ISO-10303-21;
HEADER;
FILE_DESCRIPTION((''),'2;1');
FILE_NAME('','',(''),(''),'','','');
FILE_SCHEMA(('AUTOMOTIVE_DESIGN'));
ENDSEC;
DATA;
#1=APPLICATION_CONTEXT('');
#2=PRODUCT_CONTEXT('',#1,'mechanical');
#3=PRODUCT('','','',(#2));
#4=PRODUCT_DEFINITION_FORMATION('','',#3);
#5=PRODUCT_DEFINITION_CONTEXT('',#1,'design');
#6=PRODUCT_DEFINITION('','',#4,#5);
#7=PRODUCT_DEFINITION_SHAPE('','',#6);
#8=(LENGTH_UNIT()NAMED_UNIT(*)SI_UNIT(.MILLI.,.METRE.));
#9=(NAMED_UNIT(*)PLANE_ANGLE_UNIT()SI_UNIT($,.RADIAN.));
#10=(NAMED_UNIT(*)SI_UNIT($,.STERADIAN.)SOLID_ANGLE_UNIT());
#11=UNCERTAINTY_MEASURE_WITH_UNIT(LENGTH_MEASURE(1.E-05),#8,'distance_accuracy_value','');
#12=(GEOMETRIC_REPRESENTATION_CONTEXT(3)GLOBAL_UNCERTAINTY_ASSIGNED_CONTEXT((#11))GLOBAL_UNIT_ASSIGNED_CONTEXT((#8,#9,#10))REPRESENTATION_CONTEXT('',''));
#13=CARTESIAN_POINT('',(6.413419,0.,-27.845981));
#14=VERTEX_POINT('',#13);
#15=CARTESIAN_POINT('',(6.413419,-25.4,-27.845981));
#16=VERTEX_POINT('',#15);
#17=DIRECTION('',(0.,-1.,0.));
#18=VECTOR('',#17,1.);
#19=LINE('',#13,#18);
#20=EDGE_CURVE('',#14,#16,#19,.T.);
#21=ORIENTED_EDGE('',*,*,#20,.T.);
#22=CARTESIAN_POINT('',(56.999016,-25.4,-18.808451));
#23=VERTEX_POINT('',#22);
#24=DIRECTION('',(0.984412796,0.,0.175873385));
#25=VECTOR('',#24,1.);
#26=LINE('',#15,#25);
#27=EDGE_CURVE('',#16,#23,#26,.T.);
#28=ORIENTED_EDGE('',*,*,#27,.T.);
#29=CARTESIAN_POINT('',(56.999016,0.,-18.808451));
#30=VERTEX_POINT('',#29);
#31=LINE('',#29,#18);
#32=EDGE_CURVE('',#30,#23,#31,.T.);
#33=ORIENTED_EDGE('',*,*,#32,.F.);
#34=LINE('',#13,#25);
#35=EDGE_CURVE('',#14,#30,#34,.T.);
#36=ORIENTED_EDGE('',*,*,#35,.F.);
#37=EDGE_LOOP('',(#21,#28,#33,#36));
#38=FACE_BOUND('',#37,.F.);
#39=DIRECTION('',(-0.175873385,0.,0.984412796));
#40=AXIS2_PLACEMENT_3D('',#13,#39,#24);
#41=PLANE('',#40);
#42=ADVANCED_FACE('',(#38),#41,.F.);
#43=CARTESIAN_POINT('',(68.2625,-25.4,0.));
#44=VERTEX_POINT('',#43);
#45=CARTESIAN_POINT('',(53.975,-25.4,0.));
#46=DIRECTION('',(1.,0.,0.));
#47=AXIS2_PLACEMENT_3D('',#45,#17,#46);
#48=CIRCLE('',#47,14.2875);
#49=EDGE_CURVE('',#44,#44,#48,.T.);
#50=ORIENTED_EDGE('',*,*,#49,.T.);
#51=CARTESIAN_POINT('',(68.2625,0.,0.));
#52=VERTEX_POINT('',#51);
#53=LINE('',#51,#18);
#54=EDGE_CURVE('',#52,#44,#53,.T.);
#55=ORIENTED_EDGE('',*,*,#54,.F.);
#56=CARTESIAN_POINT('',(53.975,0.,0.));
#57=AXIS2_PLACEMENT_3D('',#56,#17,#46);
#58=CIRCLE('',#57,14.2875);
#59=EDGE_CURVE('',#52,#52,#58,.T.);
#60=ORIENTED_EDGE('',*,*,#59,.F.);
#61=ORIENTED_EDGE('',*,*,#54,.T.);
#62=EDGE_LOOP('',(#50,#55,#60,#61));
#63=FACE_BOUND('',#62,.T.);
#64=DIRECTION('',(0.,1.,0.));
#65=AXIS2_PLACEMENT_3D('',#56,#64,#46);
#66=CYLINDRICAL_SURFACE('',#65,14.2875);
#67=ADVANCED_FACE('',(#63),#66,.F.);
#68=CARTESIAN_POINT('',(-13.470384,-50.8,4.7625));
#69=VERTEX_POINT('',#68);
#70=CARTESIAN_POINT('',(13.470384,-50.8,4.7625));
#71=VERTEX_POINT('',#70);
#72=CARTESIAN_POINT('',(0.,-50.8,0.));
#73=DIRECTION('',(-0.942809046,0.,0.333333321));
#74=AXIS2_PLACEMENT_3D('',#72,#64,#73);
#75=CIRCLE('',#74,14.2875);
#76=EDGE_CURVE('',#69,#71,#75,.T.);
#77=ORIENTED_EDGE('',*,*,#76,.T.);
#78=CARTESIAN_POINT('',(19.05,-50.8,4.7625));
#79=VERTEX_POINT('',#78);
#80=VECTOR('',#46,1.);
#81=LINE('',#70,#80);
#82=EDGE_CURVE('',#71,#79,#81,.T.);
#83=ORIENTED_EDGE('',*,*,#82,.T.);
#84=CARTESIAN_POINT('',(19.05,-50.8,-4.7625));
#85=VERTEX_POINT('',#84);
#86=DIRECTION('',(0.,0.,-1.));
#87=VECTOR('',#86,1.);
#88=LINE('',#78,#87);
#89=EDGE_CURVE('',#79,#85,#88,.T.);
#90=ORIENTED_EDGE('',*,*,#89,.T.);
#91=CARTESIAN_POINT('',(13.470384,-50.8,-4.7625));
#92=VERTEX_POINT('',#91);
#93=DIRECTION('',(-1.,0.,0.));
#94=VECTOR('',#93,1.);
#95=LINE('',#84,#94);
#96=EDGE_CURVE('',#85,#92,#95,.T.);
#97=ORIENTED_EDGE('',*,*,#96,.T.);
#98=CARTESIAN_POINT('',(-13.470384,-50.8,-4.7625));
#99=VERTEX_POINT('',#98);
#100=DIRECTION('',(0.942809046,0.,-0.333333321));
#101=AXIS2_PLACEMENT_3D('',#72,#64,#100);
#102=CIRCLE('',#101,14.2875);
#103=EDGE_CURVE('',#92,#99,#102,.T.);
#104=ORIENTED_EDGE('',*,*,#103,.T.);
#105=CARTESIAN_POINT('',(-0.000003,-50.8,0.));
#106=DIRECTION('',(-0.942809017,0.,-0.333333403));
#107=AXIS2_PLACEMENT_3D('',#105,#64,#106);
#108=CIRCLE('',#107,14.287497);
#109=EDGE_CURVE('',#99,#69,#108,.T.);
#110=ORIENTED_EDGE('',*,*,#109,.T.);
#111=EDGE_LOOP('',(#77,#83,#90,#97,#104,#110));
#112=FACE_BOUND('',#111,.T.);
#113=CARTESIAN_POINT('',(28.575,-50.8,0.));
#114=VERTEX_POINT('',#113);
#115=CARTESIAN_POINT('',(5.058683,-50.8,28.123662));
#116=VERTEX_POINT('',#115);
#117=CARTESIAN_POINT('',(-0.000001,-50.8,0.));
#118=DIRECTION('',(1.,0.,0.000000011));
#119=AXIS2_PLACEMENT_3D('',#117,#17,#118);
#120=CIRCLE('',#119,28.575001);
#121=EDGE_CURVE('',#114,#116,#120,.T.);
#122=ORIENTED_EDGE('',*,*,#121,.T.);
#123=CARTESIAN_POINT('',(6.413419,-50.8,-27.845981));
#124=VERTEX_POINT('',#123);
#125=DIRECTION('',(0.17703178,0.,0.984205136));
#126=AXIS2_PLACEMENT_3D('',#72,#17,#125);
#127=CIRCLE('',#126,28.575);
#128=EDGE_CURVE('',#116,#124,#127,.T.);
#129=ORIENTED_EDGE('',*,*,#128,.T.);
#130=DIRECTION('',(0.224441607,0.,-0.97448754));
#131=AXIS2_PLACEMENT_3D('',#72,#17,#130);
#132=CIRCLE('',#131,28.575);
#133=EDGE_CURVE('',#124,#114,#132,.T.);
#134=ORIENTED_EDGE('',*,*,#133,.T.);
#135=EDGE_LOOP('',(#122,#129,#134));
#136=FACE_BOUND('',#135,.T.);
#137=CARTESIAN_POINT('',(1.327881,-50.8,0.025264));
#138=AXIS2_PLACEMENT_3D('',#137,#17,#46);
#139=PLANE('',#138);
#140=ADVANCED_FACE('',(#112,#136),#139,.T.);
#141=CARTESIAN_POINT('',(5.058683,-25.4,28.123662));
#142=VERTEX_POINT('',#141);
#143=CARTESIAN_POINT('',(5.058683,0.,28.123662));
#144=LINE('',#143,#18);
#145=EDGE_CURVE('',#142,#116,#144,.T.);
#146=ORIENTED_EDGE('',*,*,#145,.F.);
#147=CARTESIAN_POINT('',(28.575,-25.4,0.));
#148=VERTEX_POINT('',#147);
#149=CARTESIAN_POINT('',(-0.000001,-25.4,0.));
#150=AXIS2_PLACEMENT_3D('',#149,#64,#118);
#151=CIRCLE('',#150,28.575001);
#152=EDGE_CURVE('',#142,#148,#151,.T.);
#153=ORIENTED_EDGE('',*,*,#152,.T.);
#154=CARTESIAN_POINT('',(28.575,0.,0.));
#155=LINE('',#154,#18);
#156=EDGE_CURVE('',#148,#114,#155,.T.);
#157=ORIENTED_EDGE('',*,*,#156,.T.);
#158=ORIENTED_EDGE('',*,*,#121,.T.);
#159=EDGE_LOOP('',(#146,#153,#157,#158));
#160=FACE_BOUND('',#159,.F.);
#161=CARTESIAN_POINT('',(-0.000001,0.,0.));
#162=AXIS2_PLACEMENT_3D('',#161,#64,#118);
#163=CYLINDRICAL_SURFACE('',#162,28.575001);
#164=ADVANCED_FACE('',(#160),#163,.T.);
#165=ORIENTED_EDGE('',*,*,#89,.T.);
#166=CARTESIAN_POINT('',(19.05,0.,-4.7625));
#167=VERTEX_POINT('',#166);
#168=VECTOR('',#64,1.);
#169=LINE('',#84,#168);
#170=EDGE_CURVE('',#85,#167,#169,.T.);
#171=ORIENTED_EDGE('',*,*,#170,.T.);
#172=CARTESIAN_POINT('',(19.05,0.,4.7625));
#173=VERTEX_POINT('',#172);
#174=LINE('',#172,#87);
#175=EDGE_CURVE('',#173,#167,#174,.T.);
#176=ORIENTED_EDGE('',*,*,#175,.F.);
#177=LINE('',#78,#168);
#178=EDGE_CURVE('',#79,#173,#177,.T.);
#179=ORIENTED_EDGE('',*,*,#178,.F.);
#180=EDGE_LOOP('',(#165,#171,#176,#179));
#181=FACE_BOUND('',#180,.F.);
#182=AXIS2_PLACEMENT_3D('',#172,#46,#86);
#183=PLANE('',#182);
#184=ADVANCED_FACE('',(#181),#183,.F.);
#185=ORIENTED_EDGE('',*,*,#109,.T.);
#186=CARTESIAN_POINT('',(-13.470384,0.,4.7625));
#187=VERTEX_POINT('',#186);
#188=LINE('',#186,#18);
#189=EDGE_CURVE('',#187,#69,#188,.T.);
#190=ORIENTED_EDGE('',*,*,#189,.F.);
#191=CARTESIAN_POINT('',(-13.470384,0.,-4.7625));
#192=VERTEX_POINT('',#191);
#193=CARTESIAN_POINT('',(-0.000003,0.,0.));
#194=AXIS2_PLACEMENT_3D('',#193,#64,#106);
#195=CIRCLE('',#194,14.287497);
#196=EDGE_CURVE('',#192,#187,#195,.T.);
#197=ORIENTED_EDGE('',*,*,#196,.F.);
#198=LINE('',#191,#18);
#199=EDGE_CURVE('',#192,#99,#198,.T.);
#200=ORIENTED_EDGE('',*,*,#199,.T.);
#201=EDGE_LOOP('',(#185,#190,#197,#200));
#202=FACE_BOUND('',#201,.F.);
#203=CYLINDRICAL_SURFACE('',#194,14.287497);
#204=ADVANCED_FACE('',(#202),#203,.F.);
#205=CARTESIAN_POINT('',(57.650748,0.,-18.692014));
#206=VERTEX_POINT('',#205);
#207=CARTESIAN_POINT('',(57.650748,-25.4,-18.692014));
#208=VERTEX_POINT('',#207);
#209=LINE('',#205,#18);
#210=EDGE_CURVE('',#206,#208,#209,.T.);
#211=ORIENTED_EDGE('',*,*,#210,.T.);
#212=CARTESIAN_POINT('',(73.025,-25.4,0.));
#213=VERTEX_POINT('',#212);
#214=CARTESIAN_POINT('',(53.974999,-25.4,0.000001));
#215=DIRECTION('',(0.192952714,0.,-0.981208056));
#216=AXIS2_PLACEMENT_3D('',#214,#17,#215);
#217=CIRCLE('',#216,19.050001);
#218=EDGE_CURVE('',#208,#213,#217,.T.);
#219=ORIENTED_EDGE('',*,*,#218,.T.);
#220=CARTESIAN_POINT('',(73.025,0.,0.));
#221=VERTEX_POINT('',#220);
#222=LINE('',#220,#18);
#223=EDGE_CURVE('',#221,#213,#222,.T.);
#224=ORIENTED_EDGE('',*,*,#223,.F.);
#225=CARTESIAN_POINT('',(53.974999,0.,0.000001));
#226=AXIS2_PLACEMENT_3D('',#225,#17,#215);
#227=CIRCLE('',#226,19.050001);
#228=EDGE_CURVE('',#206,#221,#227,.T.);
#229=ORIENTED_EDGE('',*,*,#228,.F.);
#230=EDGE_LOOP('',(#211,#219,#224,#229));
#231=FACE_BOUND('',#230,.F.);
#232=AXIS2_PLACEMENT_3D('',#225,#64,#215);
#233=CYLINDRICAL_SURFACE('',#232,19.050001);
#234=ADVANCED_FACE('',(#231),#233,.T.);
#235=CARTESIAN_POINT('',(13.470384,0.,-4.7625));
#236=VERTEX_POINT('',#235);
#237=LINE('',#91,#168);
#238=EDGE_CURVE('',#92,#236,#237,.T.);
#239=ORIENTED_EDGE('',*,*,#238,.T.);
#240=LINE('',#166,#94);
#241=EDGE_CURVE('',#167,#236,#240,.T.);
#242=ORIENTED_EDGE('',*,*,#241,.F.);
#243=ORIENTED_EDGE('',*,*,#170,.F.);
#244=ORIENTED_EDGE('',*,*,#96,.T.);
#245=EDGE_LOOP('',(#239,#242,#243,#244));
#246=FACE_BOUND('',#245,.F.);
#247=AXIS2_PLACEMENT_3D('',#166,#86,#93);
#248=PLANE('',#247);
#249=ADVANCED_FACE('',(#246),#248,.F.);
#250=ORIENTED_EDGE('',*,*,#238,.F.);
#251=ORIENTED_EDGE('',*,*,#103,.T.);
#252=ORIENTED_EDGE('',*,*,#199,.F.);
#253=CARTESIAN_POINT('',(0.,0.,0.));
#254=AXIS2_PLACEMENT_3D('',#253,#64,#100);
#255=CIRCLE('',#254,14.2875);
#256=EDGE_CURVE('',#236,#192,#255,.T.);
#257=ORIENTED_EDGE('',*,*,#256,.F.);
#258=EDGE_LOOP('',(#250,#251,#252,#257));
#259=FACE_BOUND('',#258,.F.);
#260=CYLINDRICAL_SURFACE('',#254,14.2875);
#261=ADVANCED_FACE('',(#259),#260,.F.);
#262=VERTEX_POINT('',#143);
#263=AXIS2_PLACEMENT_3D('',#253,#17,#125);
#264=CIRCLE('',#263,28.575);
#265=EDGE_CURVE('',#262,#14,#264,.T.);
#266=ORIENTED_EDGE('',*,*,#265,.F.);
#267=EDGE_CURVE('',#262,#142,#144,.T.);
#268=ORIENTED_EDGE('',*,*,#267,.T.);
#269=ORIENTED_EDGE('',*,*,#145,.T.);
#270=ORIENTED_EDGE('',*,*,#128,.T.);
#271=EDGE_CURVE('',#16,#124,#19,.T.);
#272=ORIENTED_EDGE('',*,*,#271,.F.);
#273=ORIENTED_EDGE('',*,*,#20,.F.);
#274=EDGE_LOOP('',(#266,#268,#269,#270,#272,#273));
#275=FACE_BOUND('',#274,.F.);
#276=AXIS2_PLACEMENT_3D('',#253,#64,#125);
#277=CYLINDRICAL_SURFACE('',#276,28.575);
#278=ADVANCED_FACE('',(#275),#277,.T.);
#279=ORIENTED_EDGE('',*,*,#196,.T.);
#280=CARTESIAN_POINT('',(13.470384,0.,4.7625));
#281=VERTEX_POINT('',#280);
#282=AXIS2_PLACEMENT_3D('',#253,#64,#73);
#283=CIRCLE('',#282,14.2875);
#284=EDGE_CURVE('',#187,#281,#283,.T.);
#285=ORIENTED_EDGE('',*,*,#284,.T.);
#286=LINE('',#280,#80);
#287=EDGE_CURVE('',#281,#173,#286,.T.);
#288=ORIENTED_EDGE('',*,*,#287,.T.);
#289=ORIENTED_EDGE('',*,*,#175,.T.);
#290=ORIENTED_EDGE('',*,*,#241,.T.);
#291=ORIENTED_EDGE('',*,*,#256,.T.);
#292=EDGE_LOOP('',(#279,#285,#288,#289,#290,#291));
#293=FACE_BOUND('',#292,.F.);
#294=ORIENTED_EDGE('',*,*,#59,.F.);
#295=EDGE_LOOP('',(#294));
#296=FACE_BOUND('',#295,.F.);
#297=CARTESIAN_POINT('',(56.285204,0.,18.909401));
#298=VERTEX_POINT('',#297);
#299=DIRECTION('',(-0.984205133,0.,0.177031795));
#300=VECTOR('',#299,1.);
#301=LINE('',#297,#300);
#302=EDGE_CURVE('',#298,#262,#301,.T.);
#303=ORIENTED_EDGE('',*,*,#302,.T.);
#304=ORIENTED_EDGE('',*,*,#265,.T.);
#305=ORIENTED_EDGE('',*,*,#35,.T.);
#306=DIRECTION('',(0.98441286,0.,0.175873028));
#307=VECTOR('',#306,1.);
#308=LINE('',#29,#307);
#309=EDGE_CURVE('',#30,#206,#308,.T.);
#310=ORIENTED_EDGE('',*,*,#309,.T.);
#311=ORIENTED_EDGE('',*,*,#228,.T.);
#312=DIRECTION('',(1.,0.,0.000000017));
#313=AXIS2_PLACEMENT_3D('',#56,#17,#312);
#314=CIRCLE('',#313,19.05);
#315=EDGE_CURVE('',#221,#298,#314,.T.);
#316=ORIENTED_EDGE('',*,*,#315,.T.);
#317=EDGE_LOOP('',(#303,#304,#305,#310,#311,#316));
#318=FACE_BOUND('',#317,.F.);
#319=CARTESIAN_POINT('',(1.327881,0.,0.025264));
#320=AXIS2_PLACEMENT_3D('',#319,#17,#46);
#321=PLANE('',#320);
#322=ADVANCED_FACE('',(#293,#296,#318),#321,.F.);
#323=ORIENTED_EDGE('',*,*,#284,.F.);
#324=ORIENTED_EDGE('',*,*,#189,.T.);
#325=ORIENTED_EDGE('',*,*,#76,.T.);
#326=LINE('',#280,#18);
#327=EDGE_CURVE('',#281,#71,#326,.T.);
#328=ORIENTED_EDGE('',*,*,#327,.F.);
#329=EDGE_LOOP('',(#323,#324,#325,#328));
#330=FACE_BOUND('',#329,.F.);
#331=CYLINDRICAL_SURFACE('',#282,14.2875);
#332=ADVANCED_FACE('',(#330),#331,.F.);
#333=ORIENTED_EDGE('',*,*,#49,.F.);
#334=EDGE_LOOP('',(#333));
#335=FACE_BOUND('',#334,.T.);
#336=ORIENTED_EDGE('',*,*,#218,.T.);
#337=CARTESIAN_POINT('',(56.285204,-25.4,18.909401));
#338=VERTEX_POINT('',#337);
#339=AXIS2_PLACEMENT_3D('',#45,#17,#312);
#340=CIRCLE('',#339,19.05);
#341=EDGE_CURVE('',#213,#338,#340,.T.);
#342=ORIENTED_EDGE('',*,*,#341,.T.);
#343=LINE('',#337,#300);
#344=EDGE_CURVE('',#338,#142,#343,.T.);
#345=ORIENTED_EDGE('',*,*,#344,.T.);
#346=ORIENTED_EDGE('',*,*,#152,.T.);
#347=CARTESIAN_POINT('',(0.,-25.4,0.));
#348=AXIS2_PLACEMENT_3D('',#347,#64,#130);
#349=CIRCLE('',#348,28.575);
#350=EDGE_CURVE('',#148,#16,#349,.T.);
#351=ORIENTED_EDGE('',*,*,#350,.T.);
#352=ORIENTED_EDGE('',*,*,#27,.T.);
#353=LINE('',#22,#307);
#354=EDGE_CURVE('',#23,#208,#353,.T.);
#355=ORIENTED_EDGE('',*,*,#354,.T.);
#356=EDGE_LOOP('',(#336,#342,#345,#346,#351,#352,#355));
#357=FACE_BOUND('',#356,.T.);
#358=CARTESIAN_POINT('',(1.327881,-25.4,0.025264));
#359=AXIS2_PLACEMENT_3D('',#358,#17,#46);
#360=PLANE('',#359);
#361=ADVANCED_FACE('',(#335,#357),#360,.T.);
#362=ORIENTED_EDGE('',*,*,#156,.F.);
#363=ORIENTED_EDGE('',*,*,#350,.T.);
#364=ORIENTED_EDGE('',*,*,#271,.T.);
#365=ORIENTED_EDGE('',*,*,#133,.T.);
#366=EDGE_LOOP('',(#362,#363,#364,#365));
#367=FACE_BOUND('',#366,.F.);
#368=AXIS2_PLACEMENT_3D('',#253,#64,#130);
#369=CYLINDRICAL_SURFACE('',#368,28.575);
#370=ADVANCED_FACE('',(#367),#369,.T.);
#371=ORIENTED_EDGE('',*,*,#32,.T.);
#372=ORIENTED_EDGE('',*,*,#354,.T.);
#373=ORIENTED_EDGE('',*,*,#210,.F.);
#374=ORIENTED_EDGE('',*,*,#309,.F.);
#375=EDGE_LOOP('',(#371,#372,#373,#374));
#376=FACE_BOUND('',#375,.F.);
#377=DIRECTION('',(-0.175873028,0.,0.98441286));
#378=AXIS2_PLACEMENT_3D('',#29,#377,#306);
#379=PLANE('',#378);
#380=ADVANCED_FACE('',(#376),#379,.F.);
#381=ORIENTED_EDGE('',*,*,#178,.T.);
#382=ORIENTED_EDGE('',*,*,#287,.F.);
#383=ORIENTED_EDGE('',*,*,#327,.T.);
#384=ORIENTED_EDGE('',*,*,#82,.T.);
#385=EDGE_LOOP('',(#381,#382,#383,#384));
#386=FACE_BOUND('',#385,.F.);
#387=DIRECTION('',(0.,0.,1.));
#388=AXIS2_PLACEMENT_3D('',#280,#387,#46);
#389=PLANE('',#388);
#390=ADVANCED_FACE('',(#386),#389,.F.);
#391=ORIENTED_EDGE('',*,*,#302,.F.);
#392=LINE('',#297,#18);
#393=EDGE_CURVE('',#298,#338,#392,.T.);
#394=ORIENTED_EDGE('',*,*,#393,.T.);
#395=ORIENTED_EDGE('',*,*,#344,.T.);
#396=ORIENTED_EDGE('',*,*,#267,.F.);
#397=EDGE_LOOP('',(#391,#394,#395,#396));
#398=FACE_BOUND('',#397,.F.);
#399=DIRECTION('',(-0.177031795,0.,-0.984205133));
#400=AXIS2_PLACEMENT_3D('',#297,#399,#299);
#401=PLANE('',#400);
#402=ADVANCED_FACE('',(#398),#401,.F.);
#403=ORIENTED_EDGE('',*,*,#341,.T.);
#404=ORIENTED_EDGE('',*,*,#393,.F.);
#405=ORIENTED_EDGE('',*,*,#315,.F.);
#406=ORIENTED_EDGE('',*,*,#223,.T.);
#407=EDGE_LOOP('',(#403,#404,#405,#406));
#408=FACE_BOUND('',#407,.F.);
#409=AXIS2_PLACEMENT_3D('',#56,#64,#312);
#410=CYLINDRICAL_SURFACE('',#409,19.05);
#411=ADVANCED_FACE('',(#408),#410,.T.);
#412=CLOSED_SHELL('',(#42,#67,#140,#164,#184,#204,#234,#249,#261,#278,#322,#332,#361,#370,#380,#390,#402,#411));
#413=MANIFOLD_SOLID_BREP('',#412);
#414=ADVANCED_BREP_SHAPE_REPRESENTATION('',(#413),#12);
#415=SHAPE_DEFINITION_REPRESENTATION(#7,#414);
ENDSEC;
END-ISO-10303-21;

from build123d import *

# Parameters (mm, degrees)
F0_R     = 14.2875
F1_DEPTH = 25.4
F2_DEPTH = 50.8


with BuildPart() as f1:
    # F0 (on Front) → F1 (new body)
    with BuildSketch(Plane.XZ):
        with BuildLine():
            ThreePointArc((6.413419, -27.845981), (22.358377, -17.794201), (28.575, 0))
            ThreePointArc((28.575, 0), (21.921251, 18.330013), (5.058683, 28.123662))
            ThreePointArc((5.058683, 28.123662), (-28.566633, -0.691451), (6.413419, -27.845981))
        make_face()
        with BuildLine():
            ThreePointArc((-13.470384, 4.7625), (0, 14.2875), (13.470384, 4.7625))
            Line((13.470384, 4.7625), (19.05, 4.7625))
            Line((19.05, 4.7625), (19.05, -4.7625))
            Line((19.05, -4.7625), (13.470384, -4.7625))
            ThreePointArc((13.470384, -4.7625), (0, -14.2875), (-13.470384, -4.7625))
            Line((-13.470384, -4.7625), (-19.05, -4.7625))
            Line((-19.05, -4.7625), (-19.05, 4.7625))
            Line((-19.05, 4.7625), (-13.470384, 4.7625))
        make_face(mode=Mode.SUBTRACT)
        with BuildLine():
            ThreePointArc((-13.470384, -4.7625), (-14.2875, 0), (-13.470384, 4.7625))
            Line((-13.470384, 4.7625), (-19.05, 4.7625))
            Line((-19.05, 4.7625), (-19.05, -4.7625))
            Line((-19.05, -4.7625), (-13.470384, -4.7625))
        make_face()
        with BuildLine():
            ThreePointArc((5.058683, 28.123662), (21.921251, 18.330013), (28.575, 0))
            ThreePointArc((28.575, 0), (22.358377, -17.794201), (6.413419, -27.845981))
            Line((6.413419, -27.845981), (56.999016, -18.808451))
            ThreePointArc((56.999016, -18.808451), (34.928411, -0.360458), (56.285204, 18.909401))
            Line((56.285204, 18.909401), (5.058683, 28.123662))
        make_face()
        with BuildLine():
            ThreePointArc((73.025, 0), (68.238798, 12.627215), (56.285204, 18.909401))
            ThreePointArc((56.285204, 18.909401), (34.928411, -0.360458), (56.999016, -18.808451))
            Line((56.999016, -18.808451), (57.650748, -18.692014))
            ThreePointArc((57.650748, -18.692014), (68.687673, -12.101229), (73.025, 0))
        make_face()
        with Locations((53.975, 0)):
            Circle(F0_R, mode=Mode.SUBTRACT)
    extrude(amount=F1_DEPTH)

    # F0 (on Front) → F2 (join)
    with BuildSketch(Plane.XZ):
        with BuildLine():
            ThreePointArc((6.413419, -27.845981), (22.358377, -17.794201), (28.575, 0))
            ThreePointArc((28.575, 0), (21.921251, 18.330013), (5.058683, 28.123662))
            ThreePointArc((5.058683, 28.123662), (-28.566633, -0.691451), (6.413419, -27.845981))
        make_face()
        with BuildLine():
            ThreePointArc((-13.470384, 4.7625), (0, 14.2875), (13.470384, 4.7625))
            Line((13.470384, 4.7625), (19.05, 4.7625))
            Line((19.05, 4.7625), (19.05, -4.7625))
            Line((19.05, -4.7625), (13.470384, -4.7625))
            ThreePointArc((13.470384, -4.7625), (0, -14.2875), (-13.470384, -4.7625))
            Line((-13.470384, -4.7625), (-19.05, -4.7625))
            Line((-19.05, -4.7625), (-19.05, 4.7625))
            Line((-19.05, 4.7625), (-13.470384, 4.7625))
        make_face(mode=Mode.SUBTRACT)
        with BuildLine():
            ThreePointArc((-13.470384, -4.7625), (-14.2875, 0), (-13.470384, 4.7625))
            Line((-13.470384, 4.7625), (-19.05, 4.7625))
            Line((-19.05, 4.7625), (-19.05, -4.7625))
            Line((-19.05, -4.7625), (-13.470384, -4.7625))
        make_face()
    extrude(amount=F2_DEPTH)


solid = f1.part
